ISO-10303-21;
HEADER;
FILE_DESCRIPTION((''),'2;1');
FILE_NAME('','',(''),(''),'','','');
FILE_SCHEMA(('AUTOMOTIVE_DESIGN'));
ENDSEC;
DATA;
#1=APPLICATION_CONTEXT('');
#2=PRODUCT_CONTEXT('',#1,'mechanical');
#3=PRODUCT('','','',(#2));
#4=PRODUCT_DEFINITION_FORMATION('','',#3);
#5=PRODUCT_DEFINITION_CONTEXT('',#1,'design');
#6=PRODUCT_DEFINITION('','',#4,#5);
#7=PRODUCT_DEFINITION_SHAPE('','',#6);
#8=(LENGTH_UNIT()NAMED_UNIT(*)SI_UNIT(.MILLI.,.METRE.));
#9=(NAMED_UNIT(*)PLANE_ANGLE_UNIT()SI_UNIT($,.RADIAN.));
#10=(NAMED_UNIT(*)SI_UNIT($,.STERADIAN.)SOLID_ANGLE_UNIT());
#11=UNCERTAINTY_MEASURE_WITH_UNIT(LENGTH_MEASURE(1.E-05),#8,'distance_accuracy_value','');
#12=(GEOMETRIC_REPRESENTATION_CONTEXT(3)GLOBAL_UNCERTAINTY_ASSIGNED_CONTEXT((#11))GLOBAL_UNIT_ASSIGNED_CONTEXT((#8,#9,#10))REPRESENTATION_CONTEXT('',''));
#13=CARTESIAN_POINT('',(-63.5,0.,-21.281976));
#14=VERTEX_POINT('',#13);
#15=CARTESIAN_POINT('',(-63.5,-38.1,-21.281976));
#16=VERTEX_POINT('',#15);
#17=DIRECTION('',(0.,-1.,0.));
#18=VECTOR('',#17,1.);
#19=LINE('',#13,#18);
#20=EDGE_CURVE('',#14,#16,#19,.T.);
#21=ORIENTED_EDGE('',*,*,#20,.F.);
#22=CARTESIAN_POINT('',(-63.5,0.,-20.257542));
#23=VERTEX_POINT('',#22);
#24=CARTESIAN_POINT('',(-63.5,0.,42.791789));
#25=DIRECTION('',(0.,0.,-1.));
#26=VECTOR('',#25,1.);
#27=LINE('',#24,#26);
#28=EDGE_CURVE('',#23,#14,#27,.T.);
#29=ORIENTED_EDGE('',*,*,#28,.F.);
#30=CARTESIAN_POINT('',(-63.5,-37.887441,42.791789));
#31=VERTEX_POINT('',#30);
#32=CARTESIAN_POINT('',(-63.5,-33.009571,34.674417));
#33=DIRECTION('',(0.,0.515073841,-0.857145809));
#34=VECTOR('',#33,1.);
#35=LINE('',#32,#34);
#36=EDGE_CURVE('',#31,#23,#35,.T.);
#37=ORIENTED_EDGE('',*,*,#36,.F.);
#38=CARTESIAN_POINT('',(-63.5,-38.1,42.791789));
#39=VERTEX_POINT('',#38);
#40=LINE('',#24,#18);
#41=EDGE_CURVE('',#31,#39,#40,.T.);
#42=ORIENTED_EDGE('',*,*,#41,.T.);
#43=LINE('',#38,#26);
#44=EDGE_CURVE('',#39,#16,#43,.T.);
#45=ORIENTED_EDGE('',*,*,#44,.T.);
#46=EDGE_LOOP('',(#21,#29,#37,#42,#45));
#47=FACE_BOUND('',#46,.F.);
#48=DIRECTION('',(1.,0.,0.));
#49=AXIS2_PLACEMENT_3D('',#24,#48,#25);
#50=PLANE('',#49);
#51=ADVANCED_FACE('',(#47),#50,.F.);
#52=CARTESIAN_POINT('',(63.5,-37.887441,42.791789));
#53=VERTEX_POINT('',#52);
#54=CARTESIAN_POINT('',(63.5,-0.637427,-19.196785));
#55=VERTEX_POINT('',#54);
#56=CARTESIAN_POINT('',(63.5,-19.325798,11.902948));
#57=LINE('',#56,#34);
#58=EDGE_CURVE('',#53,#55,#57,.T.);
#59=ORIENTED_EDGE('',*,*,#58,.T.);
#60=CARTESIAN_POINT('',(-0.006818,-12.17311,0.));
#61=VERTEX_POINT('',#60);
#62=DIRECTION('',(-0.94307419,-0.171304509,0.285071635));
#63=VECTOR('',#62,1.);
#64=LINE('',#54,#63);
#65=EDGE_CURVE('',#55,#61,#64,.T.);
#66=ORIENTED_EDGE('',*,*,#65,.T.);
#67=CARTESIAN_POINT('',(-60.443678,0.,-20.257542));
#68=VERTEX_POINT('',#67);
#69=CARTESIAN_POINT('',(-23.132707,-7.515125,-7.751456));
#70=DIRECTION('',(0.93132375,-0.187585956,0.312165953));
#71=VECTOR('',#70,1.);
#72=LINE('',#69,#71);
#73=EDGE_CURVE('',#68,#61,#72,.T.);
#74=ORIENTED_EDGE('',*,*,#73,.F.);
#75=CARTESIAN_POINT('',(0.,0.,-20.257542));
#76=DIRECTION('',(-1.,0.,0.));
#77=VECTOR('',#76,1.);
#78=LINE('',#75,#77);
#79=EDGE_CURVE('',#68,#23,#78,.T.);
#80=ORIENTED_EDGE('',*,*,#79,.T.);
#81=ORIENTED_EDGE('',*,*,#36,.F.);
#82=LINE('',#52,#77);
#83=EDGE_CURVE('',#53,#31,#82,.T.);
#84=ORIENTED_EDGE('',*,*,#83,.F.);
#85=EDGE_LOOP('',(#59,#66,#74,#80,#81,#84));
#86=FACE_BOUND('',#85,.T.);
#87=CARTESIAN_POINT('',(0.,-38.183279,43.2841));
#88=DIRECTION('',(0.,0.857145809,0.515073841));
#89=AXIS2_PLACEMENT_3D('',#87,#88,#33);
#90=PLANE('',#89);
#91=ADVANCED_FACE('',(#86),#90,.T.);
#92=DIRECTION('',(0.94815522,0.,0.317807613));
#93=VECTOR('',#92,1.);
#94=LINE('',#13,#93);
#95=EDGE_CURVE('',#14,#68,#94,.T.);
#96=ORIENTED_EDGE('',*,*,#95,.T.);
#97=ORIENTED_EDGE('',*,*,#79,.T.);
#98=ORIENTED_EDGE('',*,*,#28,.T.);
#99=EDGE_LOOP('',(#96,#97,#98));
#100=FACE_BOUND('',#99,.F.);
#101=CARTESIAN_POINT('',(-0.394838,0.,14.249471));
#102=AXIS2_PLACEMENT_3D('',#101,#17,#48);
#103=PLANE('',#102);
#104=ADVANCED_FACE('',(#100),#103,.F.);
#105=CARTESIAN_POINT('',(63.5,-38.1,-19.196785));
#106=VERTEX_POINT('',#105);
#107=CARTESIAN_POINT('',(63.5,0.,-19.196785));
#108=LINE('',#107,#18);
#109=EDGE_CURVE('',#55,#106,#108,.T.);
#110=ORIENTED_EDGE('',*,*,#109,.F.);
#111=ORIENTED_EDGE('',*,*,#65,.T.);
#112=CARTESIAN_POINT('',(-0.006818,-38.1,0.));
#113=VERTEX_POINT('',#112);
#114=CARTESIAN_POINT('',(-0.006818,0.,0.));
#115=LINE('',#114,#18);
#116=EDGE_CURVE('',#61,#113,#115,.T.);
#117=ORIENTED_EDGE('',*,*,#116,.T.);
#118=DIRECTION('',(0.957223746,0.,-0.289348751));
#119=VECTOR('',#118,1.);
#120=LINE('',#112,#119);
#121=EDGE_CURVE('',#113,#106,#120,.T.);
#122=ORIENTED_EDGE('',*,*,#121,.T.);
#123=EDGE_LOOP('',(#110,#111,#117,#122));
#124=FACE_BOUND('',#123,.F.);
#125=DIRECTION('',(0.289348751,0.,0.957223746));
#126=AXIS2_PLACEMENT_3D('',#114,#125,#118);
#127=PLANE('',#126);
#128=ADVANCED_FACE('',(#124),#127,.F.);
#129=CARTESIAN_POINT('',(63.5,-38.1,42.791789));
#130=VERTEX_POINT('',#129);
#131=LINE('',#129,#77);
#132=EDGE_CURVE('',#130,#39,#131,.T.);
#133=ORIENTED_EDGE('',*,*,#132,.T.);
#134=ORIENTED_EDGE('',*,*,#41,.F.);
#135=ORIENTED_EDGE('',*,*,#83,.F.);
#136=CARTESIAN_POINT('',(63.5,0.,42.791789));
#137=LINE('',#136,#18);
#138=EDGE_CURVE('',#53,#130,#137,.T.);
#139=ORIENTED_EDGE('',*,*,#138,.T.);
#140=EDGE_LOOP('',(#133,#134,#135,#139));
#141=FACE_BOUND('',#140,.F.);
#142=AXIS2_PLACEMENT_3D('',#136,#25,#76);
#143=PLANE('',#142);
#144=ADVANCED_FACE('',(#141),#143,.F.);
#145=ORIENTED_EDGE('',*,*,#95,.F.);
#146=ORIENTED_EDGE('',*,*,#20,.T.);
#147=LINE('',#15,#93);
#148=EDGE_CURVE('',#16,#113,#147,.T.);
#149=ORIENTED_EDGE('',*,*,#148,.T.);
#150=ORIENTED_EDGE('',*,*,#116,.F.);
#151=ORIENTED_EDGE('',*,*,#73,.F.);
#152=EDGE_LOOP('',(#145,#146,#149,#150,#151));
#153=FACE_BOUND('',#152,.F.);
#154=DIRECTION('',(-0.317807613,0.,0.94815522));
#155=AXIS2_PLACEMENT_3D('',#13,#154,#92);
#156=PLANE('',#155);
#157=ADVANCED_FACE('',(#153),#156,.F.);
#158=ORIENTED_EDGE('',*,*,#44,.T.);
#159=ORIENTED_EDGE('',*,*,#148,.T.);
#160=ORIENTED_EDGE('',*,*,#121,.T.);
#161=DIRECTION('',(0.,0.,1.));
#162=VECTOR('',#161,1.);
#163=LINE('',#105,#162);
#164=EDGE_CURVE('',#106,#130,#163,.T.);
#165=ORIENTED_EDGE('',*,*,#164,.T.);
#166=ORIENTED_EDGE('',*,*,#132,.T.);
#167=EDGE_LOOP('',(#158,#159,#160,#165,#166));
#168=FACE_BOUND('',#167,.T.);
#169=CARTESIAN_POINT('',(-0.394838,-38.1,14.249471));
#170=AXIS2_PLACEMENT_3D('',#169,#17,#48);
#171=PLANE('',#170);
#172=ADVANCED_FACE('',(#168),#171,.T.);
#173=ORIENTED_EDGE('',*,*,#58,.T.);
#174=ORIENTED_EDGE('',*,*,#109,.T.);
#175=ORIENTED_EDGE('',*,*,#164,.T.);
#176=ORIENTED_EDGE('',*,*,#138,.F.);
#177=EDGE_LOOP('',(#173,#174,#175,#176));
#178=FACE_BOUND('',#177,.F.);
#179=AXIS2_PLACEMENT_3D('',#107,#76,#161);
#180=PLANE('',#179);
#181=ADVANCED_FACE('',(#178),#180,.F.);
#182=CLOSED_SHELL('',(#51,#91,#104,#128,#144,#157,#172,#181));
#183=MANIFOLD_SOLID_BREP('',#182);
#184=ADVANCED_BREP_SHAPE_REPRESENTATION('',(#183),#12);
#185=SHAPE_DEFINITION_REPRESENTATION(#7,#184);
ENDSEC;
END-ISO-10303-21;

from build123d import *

# Parameters (mm, degrees)
F1_DEPTH = 38.1
F3_DEPTH = 106.172
F4_DEPTH = 85.598


with BuildPart() as f1:
    # F0 (on Front) → F1 (new body)
    with BuildSketch(Plane.XZ):
        Polygon((63.5, 42.791789), (0, 42.791789), (-63.5, 42.791789), (-63.5, -21.281976), (-0.006818, 0), (63.5, -19.196785), align=None)
    extrude(amount=F1_DEPTH)

    # F2 (on Right) → F3 (cut)
    with BuildSketch(Plane.YZ):
        Polygon((0, -20.257542), (0, 43.2841), (-38.183279, 43.2841), align=None)
    extrude(amount=-F3_DEPTH, mode=Mode.SUBTRACT)

    # F2 (on Right) → F4 (cut)
    with BuildSketch(Plane.YZ):
        Polygon((0, -20.257542), (0, 43.2841), (-38.183279, 43.2841), align=None)
    extrude(amount=F4_DEPTH, mode=Mode.SUBTRACT)


solid = f1.part
